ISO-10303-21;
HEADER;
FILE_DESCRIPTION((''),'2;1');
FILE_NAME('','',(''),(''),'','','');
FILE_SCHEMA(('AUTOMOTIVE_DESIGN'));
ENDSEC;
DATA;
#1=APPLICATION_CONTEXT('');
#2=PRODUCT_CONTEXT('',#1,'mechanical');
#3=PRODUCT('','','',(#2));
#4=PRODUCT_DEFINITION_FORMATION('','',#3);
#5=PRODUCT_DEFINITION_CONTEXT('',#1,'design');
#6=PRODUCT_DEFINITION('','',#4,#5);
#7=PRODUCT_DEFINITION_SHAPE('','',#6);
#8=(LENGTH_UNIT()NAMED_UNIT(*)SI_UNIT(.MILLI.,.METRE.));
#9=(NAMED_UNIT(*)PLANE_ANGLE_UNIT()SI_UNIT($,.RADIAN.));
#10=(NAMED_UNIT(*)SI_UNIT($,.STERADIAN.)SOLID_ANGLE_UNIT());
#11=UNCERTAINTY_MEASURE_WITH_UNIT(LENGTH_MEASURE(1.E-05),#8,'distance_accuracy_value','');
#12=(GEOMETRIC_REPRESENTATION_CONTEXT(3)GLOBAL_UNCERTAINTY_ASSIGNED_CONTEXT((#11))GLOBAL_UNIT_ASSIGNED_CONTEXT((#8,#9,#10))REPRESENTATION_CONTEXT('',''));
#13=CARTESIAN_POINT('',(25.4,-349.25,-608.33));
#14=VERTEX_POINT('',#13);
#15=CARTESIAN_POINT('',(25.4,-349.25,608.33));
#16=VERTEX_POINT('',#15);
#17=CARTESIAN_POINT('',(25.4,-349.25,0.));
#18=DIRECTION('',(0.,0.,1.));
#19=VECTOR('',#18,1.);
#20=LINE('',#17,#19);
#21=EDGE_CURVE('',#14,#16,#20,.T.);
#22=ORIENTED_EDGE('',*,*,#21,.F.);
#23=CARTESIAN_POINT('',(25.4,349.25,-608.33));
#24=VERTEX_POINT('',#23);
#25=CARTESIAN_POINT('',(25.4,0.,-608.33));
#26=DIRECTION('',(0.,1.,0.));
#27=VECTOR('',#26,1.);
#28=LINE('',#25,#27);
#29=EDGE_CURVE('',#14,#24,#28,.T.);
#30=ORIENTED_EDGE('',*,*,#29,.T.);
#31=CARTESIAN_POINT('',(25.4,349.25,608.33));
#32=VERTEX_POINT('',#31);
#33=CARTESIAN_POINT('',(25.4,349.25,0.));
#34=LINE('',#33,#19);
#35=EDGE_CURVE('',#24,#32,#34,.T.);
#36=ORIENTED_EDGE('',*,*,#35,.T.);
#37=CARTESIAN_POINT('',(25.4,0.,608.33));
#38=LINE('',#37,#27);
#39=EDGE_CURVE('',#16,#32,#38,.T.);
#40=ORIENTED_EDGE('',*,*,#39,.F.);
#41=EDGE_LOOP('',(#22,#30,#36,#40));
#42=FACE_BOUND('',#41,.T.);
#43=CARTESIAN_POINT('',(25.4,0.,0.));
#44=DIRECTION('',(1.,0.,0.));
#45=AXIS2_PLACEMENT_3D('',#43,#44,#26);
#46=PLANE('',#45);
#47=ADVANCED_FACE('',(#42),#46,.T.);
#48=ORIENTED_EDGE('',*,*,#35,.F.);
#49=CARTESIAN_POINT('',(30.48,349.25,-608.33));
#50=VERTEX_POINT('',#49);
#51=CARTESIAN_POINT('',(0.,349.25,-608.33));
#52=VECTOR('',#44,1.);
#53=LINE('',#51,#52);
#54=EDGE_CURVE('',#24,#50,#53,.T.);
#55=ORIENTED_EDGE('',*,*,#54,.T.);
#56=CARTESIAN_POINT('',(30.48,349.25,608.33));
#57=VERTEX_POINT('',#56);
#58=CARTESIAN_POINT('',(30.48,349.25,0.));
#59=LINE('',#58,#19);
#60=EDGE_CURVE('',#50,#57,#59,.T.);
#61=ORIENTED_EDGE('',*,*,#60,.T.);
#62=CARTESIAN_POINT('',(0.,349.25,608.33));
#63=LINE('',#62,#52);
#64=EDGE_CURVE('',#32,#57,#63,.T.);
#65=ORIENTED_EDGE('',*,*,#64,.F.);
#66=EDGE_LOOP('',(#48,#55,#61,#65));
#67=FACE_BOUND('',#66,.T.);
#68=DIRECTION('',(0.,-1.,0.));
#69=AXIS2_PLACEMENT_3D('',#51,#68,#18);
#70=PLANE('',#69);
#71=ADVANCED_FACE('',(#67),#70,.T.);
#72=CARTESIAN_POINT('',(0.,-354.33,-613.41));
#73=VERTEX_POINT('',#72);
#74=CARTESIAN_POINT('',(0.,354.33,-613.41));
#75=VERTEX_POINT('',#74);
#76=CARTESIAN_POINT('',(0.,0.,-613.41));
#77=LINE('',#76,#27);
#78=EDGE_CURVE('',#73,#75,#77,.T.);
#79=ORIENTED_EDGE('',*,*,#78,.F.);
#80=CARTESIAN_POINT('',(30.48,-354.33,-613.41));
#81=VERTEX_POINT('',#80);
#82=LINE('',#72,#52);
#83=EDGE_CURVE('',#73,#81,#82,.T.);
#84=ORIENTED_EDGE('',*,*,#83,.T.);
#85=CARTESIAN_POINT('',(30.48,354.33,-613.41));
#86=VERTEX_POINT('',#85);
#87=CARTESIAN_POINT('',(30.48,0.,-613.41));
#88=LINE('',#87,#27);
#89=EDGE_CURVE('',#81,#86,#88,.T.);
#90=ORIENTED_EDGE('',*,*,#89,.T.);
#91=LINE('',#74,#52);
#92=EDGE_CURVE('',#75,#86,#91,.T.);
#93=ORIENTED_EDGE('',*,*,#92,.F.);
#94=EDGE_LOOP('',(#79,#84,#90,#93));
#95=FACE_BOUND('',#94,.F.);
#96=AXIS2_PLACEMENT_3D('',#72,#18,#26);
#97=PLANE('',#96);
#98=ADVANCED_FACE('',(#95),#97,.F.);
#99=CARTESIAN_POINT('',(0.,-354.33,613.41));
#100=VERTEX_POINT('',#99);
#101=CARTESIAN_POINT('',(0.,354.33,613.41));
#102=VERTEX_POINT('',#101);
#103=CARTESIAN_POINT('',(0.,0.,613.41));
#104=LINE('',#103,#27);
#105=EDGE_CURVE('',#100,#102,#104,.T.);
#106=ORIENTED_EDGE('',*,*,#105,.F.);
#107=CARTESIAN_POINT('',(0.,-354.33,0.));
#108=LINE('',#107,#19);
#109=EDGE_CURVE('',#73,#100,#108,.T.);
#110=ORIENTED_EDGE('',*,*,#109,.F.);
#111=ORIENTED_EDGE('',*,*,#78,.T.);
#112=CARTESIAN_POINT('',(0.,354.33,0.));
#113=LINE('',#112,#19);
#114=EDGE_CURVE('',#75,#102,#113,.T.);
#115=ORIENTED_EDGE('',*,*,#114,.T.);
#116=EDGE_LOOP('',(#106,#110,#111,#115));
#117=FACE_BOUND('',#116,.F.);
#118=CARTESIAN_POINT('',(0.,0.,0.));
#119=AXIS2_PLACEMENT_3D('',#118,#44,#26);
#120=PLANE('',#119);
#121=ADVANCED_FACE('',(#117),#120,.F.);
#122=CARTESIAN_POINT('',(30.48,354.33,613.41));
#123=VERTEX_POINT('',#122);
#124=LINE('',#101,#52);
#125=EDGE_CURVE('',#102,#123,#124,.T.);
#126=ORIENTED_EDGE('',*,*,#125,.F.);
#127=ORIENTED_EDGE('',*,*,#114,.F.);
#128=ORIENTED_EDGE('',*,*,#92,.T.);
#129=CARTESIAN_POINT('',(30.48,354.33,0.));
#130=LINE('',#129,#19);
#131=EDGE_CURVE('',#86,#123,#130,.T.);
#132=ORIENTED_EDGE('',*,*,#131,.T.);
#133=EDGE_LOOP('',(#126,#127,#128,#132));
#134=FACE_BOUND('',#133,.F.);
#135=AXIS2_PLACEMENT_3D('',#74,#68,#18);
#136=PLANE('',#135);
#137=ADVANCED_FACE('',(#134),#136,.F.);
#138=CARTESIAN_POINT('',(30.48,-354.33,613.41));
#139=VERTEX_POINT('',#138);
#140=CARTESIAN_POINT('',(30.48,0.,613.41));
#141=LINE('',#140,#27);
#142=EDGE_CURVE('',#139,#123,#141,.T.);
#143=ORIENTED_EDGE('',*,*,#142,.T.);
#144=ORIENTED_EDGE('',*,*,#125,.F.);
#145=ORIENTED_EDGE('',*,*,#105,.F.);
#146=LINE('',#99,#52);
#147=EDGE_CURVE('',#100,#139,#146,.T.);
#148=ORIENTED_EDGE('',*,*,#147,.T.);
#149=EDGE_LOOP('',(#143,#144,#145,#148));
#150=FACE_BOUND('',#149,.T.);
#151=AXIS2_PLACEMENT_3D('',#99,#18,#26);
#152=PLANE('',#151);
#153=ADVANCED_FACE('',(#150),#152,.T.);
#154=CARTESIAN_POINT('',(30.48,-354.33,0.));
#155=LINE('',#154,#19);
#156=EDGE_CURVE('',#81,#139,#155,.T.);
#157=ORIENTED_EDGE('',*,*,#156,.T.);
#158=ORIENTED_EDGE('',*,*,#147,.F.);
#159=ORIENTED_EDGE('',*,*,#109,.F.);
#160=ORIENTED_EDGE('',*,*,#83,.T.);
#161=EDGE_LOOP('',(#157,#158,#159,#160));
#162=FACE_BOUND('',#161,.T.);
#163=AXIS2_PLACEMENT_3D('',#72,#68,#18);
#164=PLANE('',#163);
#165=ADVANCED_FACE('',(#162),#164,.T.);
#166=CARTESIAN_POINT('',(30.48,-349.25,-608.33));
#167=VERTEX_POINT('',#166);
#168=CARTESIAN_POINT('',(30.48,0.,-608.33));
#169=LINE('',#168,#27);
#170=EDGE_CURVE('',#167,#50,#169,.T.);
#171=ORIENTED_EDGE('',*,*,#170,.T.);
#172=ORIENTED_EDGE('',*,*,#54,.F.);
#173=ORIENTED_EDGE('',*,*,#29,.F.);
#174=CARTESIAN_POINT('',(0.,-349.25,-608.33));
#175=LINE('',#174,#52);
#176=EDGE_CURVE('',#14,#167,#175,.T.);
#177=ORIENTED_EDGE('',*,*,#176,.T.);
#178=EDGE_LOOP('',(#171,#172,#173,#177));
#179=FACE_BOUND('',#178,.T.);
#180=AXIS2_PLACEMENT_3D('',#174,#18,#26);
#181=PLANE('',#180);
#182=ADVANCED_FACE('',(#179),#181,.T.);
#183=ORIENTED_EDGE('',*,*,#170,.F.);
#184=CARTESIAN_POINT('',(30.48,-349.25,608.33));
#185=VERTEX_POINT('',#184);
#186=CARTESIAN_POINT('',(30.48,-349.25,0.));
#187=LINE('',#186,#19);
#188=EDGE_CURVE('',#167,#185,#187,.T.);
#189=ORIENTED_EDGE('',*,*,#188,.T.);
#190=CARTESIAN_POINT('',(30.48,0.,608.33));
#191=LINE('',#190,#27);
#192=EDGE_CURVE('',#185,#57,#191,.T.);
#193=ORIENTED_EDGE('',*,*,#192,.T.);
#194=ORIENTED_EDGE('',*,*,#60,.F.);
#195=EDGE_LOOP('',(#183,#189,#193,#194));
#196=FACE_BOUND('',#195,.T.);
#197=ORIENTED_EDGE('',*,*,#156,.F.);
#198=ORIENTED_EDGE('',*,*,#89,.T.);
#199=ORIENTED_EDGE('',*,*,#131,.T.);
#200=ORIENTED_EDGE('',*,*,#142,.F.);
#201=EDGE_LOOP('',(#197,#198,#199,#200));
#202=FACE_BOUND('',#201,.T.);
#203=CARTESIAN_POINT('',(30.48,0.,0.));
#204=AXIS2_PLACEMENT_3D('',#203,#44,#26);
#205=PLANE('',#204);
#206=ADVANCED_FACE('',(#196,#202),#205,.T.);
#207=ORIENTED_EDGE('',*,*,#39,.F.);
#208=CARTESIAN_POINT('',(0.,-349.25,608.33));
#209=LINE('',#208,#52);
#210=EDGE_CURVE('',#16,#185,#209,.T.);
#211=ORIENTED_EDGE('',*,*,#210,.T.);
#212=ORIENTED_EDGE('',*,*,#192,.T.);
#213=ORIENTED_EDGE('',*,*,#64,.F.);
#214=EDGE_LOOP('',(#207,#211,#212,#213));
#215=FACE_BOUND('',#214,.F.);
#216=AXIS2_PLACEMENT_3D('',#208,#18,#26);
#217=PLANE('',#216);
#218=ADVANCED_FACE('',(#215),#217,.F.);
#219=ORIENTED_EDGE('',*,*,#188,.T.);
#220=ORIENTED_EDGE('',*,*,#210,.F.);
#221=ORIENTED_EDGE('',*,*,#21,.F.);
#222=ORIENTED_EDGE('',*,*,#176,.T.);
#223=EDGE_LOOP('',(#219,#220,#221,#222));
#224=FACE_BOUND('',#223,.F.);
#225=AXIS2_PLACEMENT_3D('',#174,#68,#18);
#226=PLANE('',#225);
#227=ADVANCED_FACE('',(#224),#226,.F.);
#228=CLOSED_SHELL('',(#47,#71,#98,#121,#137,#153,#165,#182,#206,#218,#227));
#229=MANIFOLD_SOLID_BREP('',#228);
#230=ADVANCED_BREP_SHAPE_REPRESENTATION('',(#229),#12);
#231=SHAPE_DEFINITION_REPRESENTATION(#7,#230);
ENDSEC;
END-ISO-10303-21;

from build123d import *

# Parameters (mm, degrees)
F0_W     = 698.5
F0_H     = 1216.66
F1_DEPTH = 25.4
F0_W_2   = 708.66
F0_H_2   = 1226.82
F2_DEPTH = 30.48


with BuildPart() as f1:
    # F0 (on Right) → F1 (new body)
    with BuildSketch(Plane.YZ):
        Rectangle(F0_W, F0_H)
    extrude(amount=F1_DEPTH)

    # F0 (on Right) → F2 (join)
    with BuildSketch(Plane.YZ):
        Rectangle(F0_W_2, F0_H_2)
        Rectangle(F0_W, F0_H, mode=Mode.SUBTRACT)
    extrude(amount=F2_DEPTH)


solid = f1.part
